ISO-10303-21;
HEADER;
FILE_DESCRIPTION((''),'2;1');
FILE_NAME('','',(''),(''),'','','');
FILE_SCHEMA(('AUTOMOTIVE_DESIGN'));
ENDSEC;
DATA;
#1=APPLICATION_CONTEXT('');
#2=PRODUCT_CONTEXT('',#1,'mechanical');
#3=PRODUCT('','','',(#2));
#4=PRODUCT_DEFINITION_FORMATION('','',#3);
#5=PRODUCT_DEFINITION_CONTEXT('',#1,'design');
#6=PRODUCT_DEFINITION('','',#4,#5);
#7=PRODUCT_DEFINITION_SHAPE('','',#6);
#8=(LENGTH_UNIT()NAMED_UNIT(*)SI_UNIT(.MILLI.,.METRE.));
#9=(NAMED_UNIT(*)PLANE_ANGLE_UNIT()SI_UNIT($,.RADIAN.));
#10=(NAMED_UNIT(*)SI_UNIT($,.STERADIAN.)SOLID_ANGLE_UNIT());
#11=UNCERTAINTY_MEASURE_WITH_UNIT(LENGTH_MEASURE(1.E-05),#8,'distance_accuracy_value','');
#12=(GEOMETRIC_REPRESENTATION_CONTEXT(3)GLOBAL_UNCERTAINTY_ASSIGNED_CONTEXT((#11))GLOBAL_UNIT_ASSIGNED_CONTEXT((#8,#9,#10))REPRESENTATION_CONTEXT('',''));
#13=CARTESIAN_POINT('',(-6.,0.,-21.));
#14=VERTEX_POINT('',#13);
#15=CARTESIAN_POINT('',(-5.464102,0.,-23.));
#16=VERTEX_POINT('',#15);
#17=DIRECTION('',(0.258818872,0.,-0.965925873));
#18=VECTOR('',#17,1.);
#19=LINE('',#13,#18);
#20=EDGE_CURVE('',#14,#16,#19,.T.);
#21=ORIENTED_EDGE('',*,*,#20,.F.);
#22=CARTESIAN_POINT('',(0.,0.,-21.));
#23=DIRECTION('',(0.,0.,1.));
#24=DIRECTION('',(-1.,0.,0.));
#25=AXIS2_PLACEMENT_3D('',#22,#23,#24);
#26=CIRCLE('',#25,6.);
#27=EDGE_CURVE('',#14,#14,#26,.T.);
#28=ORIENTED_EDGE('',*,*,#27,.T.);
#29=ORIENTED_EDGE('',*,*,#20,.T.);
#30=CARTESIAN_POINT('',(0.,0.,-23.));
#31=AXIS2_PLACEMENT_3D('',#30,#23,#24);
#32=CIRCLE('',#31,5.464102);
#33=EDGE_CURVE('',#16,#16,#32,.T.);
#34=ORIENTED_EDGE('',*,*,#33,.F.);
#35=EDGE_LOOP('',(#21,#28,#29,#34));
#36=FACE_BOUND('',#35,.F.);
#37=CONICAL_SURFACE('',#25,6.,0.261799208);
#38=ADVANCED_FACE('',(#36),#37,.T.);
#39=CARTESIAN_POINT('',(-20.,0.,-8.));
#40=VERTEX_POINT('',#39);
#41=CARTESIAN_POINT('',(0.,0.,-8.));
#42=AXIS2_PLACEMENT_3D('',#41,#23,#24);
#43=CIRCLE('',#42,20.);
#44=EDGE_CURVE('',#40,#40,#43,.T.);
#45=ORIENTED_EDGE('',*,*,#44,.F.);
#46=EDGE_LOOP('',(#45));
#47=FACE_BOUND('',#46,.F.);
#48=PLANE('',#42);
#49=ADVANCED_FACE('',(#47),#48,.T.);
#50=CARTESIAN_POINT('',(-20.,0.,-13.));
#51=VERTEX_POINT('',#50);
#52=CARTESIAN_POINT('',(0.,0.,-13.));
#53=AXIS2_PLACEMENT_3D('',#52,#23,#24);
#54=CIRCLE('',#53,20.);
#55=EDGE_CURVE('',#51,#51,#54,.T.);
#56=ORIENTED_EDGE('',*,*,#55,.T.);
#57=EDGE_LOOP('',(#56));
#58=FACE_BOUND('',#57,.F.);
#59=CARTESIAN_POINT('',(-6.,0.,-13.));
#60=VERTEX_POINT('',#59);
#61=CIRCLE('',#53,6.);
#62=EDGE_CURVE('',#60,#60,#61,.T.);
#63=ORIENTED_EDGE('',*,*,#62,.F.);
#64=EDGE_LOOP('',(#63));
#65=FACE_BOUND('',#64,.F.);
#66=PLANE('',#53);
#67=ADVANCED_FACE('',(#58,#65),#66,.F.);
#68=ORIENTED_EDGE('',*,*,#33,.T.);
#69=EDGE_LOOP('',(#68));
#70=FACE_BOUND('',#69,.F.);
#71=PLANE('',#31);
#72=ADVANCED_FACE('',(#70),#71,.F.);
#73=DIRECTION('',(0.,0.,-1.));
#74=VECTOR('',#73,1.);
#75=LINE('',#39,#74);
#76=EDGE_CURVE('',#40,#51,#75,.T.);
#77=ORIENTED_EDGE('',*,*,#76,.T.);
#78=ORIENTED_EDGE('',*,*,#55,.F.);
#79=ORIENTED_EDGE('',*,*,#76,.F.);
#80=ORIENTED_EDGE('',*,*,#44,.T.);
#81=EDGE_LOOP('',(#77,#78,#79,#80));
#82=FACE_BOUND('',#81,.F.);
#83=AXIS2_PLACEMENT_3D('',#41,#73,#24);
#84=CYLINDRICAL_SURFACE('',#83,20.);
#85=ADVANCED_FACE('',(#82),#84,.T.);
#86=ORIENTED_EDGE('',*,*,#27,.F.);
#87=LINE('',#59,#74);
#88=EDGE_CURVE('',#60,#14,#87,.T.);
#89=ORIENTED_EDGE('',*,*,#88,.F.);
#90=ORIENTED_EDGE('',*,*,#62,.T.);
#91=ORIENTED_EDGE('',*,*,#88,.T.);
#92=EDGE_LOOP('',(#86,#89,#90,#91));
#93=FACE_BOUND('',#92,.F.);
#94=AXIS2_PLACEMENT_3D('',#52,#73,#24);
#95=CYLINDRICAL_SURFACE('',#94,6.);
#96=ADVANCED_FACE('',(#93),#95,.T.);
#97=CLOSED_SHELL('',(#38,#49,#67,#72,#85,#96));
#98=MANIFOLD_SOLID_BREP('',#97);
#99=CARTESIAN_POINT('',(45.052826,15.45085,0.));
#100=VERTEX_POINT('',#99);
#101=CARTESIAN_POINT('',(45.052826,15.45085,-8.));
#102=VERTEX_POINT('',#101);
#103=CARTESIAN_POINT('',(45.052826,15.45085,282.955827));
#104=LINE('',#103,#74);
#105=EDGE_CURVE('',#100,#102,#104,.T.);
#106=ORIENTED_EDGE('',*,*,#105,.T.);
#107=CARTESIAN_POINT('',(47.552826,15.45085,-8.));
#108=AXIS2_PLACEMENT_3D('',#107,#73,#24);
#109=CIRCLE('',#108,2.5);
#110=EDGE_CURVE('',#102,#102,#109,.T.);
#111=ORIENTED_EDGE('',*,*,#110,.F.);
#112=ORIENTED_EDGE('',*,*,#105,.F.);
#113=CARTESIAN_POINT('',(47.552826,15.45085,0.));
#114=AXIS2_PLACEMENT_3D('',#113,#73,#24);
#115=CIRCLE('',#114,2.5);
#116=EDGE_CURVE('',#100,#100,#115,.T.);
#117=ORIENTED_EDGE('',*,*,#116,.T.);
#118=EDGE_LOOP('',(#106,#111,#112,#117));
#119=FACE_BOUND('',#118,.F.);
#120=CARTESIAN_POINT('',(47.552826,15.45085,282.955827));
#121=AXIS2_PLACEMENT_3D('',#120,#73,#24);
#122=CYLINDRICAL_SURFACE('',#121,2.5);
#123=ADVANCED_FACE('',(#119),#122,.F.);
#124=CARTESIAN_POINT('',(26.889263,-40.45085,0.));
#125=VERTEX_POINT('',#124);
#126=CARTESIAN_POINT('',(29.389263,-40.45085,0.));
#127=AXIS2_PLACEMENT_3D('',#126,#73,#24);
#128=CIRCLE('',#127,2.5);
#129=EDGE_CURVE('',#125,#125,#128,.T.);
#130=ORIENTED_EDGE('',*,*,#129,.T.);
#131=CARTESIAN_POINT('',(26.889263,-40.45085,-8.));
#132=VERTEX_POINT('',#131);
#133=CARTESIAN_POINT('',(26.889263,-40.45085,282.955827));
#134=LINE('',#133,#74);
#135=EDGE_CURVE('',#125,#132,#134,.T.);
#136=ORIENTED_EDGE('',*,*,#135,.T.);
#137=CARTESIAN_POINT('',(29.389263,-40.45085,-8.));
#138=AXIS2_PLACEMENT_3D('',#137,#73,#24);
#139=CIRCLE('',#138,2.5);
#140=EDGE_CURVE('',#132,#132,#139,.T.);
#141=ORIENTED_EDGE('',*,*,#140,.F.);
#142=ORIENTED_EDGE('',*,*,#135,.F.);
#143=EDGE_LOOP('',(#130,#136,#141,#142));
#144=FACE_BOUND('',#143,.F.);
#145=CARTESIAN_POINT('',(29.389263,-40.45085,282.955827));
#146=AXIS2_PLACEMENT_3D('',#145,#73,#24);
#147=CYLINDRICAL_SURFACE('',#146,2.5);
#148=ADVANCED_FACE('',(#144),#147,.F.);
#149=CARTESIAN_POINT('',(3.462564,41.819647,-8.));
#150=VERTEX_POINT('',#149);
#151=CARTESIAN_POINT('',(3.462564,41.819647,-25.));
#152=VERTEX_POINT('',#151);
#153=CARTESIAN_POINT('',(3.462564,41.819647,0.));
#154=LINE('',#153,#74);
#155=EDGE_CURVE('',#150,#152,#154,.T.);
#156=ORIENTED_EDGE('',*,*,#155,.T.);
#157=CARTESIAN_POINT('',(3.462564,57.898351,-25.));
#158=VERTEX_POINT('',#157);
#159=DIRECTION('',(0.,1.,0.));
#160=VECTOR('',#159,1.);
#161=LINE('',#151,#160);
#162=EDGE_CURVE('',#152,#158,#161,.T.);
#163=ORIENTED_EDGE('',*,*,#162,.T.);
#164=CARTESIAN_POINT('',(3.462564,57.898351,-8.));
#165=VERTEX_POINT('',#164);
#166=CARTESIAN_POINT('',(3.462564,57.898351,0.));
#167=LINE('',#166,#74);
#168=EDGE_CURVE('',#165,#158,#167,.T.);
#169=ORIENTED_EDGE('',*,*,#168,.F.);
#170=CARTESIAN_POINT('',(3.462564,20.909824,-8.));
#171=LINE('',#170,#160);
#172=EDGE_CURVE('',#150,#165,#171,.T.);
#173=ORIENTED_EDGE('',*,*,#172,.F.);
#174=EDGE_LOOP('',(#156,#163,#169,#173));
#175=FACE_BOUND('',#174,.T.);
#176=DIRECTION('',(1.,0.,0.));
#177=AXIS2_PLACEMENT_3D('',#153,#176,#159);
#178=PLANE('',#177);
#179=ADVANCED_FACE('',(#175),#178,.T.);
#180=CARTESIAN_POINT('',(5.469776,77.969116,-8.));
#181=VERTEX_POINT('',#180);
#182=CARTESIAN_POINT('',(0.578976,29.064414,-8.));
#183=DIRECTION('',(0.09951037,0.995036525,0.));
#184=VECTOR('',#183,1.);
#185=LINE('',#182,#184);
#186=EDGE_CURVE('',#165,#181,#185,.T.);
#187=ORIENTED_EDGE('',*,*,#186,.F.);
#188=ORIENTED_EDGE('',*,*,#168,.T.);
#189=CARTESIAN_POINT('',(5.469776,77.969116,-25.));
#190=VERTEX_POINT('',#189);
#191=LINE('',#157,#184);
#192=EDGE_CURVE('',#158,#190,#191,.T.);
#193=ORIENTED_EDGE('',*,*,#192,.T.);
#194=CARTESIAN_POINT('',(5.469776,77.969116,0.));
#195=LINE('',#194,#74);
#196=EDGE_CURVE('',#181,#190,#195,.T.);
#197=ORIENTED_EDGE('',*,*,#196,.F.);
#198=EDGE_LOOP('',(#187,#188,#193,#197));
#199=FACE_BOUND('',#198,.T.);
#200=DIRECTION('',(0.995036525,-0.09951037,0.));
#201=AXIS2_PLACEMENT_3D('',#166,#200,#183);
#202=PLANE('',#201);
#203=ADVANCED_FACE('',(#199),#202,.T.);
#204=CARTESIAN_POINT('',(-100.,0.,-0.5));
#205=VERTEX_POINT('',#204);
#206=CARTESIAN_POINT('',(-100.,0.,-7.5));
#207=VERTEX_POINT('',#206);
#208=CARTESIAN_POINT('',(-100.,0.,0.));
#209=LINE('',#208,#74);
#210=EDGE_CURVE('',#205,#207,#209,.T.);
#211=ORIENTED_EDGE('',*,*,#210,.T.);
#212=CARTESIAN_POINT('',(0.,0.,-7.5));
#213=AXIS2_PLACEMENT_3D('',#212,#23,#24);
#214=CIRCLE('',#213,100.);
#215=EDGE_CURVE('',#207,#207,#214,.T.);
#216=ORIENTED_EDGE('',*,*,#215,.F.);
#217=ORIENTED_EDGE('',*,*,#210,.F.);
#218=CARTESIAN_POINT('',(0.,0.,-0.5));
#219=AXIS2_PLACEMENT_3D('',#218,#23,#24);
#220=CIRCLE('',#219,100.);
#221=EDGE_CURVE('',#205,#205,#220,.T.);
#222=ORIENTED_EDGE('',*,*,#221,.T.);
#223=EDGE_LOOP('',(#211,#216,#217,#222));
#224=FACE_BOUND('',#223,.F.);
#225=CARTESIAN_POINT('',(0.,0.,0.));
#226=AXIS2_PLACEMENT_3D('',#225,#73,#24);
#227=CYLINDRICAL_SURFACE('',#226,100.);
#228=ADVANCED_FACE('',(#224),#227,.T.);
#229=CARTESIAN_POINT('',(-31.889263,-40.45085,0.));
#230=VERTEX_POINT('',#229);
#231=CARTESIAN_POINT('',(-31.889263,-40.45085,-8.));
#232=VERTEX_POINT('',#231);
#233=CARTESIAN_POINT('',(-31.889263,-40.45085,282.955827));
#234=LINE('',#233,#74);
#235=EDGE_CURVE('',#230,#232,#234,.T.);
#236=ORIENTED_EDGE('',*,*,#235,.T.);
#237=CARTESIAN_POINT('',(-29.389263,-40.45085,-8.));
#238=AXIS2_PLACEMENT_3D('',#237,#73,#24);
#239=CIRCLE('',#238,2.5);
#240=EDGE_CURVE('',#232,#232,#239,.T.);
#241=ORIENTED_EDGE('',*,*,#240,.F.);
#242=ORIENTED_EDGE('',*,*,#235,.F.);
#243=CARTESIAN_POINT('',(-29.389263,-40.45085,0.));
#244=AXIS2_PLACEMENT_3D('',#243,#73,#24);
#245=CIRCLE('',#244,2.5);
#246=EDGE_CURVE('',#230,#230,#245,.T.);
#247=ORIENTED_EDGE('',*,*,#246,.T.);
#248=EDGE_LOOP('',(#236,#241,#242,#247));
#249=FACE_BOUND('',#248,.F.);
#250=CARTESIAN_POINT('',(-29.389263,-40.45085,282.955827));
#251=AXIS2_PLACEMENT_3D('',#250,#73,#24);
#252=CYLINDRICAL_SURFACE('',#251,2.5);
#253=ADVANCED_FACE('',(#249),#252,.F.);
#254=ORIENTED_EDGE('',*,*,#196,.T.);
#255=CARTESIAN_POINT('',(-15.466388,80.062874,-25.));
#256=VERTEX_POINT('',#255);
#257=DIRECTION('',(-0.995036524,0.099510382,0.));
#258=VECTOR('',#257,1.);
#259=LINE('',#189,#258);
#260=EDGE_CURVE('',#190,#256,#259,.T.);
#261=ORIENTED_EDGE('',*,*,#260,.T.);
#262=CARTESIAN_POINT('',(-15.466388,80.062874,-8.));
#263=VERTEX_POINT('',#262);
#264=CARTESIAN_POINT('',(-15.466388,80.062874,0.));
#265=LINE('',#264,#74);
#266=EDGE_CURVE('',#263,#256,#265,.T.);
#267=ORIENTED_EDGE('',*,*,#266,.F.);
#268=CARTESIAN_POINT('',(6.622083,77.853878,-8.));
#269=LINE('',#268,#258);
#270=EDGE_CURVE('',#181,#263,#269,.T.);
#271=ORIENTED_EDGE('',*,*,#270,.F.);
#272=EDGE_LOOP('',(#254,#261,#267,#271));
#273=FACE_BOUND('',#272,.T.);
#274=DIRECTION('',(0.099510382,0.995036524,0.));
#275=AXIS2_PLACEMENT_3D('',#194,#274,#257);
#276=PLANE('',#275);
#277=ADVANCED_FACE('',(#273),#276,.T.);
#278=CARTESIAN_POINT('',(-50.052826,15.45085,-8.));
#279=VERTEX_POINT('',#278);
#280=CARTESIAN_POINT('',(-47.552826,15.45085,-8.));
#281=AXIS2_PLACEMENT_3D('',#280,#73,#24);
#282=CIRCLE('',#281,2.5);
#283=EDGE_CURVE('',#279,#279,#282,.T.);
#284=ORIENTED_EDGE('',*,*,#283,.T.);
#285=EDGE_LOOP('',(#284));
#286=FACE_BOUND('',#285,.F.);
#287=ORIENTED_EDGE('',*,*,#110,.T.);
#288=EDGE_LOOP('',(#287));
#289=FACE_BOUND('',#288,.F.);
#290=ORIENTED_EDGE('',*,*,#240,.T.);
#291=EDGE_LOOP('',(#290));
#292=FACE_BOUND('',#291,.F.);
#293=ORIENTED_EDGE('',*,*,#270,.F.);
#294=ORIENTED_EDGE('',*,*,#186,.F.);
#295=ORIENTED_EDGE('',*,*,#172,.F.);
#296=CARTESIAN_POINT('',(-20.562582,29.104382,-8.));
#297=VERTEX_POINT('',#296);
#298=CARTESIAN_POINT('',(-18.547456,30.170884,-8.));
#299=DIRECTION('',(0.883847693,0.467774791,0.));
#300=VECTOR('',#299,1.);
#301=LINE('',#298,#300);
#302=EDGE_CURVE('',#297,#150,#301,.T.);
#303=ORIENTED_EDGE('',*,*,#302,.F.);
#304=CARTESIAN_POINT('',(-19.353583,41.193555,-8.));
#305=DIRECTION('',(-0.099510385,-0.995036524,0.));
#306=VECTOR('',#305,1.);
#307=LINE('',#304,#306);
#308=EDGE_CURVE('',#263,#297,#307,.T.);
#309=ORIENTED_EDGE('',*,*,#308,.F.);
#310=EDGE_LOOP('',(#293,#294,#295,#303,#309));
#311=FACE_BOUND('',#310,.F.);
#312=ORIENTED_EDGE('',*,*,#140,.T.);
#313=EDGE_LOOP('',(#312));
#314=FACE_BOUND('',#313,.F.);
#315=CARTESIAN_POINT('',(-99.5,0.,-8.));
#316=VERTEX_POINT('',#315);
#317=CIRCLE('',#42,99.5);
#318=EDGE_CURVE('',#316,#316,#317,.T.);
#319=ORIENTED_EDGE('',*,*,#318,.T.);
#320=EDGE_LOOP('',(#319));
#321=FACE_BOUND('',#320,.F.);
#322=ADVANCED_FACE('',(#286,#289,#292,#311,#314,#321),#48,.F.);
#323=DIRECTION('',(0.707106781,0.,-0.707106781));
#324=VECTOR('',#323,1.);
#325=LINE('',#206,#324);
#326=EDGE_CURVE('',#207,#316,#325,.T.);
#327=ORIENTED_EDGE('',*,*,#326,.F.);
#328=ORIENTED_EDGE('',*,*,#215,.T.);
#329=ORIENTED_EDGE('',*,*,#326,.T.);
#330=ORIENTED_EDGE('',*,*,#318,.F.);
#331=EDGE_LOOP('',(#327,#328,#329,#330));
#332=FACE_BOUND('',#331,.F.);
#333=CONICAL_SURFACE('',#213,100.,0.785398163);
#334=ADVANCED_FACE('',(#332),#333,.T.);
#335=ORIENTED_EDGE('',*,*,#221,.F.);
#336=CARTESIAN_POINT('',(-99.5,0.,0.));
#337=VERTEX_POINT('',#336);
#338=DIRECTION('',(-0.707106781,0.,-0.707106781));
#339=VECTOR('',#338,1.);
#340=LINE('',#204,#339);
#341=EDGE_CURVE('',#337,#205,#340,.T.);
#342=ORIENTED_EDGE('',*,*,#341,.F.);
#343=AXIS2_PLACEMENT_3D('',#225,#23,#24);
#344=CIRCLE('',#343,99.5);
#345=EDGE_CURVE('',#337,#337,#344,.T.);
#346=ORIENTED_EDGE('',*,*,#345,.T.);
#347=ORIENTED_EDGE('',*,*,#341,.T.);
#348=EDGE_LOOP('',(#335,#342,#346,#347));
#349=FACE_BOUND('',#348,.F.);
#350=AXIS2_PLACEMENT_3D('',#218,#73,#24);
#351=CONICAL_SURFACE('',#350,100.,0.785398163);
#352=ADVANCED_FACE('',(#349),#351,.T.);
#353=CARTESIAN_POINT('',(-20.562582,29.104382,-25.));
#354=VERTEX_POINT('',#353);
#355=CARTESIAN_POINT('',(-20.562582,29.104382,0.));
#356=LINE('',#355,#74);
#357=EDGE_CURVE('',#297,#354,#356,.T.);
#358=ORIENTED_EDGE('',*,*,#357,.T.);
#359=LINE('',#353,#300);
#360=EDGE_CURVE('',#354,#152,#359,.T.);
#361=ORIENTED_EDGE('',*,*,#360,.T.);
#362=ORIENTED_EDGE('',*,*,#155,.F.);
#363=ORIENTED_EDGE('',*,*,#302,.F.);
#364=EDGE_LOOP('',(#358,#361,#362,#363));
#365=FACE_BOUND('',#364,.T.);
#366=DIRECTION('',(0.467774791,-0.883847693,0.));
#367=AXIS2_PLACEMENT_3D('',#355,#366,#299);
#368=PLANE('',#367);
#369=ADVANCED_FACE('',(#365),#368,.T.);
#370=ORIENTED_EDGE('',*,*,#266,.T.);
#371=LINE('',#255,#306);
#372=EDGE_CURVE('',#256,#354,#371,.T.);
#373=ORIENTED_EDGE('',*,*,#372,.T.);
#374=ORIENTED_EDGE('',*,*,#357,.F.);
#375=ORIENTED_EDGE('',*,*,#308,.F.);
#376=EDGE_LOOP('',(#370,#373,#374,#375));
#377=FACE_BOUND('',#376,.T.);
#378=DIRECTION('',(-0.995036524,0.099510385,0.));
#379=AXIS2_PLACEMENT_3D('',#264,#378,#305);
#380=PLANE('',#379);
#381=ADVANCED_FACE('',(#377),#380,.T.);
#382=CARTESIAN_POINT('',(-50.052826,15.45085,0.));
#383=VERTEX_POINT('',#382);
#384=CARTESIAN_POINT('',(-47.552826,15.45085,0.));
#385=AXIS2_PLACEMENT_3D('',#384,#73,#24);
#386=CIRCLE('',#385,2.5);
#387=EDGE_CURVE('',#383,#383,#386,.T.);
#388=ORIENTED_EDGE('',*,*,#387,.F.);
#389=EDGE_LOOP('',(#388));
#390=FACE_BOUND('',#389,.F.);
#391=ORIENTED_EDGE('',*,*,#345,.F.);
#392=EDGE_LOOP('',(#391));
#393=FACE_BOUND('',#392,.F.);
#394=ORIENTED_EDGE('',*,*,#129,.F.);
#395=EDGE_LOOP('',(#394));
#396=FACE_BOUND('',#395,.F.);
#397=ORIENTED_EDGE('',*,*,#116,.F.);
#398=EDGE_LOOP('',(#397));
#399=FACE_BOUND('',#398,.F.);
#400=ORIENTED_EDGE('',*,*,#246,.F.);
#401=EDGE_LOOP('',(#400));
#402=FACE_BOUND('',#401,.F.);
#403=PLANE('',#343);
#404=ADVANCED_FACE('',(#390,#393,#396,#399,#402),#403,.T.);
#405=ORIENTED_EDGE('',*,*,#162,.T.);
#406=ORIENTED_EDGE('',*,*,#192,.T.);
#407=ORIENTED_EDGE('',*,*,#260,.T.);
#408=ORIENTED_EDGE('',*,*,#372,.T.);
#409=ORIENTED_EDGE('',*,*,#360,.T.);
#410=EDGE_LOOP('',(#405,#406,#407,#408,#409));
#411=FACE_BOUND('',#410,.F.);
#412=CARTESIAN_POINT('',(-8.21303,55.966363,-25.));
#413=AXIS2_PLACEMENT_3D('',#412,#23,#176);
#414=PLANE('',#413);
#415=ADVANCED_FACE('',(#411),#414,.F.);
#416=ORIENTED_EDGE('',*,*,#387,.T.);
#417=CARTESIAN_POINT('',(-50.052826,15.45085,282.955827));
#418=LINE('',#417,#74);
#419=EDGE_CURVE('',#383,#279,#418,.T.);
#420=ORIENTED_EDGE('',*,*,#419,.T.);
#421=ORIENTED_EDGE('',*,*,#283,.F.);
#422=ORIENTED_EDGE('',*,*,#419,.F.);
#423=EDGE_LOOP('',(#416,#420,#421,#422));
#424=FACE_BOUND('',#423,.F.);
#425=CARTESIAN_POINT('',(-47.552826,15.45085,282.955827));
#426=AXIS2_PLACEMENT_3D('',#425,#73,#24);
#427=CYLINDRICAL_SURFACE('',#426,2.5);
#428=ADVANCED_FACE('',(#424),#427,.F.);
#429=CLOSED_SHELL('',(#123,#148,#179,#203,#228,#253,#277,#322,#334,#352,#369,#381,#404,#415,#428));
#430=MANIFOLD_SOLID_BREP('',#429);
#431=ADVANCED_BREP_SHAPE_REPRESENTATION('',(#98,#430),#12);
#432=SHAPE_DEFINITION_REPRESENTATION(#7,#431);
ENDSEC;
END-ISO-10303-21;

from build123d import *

# Parameters (mm, degrees)
F4_SIZE  = 0.5
F6_D     = 5
F8_DEPTH = 25


with BuildPart() as f1:
    # F0 (on Front) → F1 (revolve)
    with BuildSketch(Plane.XZ):
        Polygon((0, -8), (0, 0), (-100, 0), (-100, -8), (-20, -8), align=None)
    revolve(axis=Axis((0, 0, -4), (0, 0, 1)))

    # F4
    f4_edges = [f1.edges().sort_by_distance(p)[0] for p in [
        (100, 0, 0),
        (100, 0, -8),
    ]]
    chamfer(f4_edges, length=F4_SIZE)

    # F6 (through all)
    with Locations(Plane.XY):
        with Locations((0, 50), (-47.552826, 15.45085), (-29.389263, -40.45085), (29.389263, -40.45085), (47.552826, 15.45085)):
            Hole(F6_D / 2)

    # F7 (on Top) → F8 (join)
    with BuildSketch(Plane.XY):
        Polygon((-15.466388, 80.062874), (-20.562582, 29.104382), (3.462564, 41.819647), (3.462564, 57.898351), (5.469776, 77.969116), align=None)
    extrude(amount=-F8_DEPTH)


with BuildPart() as f2:
    # F0 (on Front) → F2 (revolve)
    with BuildSketch(Plane.XZ):
        Polygon((0, -23), (0, -8), (-20, -8), (-20, -13), (-9.08917, -13), (-6, -13), (-6, -21), (-5.464102, -23), align=None)
    revolve(axis=Axis((0, 0, -4), (0, 0, 1)))


solid = Compound([f1.part, f2.part])
